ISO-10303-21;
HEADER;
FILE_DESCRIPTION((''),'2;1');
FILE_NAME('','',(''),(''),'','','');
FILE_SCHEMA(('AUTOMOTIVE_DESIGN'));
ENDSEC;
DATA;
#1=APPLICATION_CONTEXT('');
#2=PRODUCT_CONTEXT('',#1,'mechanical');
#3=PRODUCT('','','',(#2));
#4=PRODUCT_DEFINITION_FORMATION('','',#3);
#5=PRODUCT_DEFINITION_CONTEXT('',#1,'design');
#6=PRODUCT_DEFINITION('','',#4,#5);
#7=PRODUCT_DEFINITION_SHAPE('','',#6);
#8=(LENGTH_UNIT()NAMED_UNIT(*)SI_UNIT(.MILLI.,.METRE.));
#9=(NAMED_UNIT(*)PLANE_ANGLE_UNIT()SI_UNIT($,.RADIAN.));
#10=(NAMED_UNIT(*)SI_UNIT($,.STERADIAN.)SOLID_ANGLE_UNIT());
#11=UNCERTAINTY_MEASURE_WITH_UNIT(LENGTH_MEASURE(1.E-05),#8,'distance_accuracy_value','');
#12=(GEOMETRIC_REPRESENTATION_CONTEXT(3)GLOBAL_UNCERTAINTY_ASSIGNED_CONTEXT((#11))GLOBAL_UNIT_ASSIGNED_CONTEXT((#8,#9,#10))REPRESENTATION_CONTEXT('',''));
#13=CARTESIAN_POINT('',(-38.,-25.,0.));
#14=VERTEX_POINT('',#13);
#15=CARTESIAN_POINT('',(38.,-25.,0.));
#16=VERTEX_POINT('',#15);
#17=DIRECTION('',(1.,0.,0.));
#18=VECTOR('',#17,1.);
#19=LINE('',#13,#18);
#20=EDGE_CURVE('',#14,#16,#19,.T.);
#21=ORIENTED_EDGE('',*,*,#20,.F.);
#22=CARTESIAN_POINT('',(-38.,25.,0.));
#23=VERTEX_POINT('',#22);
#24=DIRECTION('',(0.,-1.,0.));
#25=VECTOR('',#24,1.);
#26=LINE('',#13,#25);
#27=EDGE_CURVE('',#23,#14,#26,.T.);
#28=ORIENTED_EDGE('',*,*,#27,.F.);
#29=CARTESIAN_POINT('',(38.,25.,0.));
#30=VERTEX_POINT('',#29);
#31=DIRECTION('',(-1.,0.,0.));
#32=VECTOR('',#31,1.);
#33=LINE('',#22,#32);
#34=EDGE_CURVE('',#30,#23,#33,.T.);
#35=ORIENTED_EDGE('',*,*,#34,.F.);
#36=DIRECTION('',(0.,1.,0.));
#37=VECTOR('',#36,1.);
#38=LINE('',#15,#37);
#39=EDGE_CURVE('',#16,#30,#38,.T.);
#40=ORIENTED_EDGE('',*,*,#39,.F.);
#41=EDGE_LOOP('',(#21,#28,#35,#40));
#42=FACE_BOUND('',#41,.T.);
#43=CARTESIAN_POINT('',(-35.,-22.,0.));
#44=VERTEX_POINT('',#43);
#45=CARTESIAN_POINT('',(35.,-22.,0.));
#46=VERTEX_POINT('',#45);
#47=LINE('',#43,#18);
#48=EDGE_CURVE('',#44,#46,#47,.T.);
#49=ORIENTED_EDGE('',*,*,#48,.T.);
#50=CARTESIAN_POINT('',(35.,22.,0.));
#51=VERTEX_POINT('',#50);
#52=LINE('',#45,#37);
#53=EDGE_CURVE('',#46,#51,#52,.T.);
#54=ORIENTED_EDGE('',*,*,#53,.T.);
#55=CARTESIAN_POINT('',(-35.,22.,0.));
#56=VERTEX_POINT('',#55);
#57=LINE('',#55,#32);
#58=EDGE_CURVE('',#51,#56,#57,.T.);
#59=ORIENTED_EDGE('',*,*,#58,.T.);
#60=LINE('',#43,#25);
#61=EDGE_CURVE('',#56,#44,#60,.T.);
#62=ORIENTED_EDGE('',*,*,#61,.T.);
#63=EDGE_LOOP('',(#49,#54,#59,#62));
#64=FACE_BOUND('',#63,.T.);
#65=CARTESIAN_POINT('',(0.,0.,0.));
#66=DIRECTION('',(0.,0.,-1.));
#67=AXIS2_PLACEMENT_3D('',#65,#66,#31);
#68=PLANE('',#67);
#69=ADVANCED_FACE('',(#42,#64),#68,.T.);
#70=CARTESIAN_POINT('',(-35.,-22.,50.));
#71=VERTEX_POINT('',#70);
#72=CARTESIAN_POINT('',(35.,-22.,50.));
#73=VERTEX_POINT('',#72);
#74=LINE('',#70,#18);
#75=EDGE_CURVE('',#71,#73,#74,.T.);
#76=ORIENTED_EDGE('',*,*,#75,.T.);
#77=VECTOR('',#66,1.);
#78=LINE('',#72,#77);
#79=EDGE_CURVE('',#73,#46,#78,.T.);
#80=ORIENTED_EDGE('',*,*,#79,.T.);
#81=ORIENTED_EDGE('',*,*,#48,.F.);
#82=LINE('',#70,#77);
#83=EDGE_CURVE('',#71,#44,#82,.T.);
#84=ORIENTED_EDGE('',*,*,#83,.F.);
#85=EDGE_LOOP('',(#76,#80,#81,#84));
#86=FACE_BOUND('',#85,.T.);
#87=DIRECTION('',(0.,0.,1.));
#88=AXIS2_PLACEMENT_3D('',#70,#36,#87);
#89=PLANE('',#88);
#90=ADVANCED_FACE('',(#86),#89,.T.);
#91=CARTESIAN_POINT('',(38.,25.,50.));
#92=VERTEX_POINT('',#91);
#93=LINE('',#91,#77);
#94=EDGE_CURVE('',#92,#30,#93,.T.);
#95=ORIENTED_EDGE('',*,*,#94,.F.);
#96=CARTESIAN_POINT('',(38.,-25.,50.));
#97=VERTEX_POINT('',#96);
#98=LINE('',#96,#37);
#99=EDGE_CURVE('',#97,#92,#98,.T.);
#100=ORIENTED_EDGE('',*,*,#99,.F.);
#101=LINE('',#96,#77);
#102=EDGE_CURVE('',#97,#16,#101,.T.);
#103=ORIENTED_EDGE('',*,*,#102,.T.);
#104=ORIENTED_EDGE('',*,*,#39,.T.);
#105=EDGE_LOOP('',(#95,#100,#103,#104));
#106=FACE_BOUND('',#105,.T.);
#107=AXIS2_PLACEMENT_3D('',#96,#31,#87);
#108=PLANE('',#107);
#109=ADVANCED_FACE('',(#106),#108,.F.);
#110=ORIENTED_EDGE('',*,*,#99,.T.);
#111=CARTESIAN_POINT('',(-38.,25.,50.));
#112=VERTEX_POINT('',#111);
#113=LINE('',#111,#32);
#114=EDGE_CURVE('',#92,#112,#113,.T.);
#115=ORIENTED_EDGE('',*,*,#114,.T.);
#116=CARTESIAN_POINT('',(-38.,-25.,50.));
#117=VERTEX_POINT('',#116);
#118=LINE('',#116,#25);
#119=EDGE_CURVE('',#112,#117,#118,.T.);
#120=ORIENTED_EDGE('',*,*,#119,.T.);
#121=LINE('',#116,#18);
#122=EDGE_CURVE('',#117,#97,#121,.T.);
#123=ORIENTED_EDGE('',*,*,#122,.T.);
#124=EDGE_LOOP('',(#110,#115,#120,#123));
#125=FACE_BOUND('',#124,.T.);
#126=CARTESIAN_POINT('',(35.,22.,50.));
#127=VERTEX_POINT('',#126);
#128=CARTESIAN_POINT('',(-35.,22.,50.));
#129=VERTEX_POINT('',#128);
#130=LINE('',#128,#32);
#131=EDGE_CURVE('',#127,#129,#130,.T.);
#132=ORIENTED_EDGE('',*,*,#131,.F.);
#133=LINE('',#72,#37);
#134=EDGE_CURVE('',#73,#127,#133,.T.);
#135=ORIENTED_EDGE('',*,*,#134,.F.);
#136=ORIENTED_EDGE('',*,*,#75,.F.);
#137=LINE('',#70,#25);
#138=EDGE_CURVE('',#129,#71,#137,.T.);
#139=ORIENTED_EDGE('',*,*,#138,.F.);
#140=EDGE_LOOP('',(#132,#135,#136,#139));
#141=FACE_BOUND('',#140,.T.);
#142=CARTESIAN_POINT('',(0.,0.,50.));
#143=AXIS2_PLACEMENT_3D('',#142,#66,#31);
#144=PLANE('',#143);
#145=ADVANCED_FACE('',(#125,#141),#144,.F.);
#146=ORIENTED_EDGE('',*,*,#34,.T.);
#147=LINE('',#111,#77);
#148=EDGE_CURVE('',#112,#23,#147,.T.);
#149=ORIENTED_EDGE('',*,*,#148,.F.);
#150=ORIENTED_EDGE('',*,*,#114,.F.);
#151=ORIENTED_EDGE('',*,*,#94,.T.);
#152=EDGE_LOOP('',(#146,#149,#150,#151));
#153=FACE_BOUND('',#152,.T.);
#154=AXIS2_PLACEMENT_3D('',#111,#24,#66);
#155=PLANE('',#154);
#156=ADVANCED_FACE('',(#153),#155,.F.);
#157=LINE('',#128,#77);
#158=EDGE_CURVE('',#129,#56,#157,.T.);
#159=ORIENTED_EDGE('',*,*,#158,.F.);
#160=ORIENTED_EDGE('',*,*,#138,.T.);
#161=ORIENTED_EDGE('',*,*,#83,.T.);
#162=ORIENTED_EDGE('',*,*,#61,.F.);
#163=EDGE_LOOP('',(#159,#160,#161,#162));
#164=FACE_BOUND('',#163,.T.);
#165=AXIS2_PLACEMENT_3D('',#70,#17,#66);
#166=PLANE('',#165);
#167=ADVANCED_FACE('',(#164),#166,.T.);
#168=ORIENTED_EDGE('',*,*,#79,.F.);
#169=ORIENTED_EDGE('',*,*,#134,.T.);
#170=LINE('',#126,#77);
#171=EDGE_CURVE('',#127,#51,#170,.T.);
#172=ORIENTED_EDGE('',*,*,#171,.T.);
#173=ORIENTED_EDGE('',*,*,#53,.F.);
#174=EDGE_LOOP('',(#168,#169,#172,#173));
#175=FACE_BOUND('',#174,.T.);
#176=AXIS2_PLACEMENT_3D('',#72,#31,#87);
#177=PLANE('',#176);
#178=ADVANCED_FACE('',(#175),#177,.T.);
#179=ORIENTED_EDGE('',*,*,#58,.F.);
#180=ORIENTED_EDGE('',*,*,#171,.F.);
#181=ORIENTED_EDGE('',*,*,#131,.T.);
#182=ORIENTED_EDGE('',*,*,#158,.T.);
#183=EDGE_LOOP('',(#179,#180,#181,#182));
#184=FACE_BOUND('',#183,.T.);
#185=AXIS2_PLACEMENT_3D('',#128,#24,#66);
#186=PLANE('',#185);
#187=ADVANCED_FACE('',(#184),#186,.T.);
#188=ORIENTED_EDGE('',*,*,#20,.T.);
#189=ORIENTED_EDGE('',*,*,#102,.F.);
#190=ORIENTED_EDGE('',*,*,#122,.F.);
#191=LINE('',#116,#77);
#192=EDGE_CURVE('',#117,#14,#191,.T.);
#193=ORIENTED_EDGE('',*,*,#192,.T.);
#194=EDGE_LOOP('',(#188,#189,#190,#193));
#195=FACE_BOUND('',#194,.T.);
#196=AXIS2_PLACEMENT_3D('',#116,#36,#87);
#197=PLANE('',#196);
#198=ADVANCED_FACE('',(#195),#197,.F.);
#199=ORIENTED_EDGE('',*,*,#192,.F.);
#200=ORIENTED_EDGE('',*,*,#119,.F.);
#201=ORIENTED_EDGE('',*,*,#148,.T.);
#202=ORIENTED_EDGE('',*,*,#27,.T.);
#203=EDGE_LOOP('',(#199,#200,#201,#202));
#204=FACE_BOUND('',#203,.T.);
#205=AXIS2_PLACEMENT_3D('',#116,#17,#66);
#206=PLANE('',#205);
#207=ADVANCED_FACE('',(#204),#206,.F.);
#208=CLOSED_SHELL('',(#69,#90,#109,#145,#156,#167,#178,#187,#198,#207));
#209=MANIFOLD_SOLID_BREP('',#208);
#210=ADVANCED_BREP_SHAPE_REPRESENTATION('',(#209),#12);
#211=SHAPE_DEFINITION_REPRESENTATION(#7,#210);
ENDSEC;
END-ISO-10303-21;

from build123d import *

# Parameters (mm, degrees)
SKETCH_1_W      = 76
SKETCH_1_H      = 50
SKETCH_1_W_2    = 70
SKETCH_1_H_2    = 44
EXTRUDE_1_DEPTH = 50


with BuildPart() as part:
    # 草图1 → 凸台-拉伸1 (new body)
    with BuildSketch(Plane.XY):
        Rectangle(SKETCH_1_W, SKETCH_1_H)
        Rectangle(SKETCH_1_W_2, SKETCH_1_H_2, mode=Mode.SUBTRACT)
    extrude(amount=EXTRUDE_1_DEPTH)


solid = part.part
